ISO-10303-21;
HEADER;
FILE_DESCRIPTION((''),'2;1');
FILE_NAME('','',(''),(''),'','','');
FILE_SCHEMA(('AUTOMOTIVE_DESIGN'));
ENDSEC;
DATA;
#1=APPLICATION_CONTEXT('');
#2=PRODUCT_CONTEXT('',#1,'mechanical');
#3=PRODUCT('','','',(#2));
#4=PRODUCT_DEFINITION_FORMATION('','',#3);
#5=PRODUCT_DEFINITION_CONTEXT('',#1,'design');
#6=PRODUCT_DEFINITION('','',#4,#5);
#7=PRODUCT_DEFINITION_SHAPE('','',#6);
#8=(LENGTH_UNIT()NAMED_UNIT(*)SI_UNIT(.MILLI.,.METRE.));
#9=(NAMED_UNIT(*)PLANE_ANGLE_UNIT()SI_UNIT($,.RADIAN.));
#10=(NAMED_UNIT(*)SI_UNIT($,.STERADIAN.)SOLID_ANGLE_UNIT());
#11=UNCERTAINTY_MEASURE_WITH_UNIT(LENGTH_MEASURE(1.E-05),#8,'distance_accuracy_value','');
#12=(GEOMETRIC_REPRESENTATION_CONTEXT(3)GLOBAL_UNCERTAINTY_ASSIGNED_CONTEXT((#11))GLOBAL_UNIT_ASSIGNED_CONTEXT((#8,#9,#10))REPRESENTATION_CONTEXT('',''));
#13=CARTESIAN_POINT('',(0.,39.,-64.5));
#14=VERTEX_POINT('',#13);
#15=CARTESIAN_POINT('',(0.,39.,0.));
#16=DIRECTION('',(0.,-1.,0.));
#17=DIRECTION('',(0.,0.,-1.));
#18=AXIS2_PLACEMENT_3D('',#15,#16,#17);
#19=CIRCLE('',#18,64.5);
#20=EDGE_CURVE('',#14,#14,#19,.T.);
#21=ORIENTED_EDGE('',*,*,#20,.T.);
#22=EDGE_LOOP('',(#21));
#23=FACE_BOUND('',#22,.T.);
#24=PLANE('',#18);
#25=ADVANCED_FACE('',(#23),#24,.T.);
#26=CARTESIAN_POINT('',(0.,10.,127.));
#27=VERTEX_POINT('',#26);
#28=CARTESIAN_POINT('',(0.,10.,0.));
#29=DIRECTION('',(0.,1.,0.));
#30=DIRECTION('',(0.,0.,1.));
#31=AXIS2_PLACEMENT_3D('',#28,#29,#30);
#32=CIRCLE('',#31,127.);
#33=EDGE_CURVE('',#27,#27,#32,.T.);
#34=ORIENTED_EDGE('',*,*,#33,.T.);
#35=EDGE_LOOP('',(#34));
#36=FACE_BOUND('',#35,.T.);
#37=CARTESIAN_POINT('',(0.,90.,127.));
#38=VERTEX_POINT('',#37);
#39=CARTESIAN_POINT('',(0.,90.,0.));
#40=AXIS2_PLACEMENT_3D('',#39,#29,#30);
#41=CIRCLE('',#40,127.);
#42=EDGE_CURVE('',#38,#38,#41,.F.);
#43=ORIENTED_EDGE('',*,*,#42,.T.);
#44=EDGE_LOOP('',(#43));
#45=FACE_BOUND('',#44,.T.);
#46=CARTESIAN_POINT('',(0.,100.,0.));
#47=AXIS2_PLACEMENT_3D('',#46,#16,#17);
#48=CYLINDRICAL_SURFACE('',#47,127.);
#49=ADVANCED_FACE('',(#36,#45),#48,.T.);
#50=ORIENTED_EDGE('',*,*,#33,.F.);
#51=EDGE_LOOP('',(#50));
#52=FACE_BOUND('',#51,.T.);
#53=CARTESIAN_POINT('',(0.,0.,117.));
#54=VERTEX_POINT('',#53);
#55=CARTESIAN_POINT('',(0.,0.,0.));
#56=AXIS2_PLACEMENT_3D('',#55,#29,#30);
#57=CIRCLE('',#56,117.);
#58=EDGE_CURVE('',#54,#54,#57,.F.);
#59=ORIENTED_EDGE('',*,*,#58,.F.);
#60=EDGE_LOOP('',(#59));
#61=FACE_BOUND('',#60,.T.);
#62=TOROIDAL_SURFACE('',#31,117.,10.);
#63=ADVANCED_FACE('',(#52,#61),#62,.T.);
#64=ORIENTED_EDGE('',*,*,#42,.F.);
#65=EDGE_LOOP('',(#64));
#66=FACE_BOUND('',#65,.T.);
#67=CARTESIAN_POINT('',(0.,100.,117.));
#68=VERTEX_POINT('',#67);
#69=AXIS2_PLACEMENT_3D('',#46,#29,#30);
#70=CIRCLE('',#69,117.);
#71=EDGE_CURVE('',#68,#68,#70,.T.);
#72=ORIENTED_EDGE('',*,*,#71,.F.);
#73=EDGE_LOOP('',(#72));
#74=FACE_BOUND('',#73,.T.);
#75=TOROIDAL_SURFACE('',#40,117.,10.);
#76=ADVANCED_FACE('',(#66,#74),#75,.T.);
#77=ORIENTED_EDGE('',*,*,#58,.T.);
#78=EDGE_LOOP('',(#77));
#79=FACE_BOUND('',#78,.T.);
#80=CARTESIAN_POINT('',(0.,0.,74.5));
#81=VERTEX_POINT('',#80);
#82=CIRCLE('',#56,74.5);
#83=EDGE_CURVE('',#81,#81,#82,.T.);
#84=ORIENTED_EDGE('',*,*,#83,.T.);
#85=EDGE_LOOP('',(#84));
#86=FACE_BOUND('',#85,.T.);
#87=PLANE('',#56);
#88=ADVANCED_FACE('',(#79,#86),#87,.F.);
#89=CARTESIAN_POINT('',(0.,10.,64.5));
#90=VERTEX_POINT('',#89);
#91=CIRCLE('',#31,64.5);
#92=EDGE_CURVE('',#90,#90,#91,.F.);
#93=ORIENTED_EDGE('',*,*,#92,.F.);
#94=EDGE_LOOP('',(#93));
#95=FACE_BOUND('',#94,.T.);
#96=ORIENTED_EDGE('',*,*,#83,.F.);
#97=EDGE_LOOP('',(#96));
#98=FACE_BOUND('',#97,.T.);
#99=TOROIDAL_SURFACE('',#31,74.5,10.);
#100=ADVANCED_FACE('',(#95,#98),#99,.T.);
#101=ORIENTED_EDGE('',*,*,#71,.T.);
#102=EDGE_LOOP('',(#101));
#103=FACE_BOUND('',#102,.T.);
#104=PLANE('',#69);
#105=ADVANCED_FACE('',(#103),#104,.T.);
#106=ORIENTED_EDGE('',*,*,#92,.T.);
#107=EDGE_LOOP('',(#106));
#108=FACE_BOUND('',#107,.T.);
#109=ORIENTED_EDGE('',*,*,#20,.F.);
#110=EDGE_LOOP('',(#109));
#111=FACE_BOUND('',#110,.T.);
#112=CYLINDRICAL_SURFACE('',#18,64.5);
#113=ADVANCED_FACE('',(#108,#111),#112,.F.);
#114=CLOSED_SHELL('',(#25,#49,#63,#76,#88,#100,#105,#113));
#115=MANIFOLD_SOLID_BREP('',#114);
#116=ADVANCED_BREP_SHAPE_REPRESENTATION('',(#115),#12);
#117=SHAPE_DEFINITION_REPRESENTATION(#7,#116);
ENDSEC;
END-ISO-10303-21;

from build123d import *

# Parameters (mm, degrees)
SKETCH_1_R          = 127
EXTRUDE_1_DEPTH     = 100
FILLET_1_R          = 10
SKETCH_2_R          = 64.5
CUT_EXTRUDE_1_DEPTH = 39
FILLET_2_R          = 10


with BuildPart() as part:
    # 草图1 → 凸台-拉伸1 (new body)
    with BuildSketch(Plane(origin=(0, 0, 0), x_dir=(1, 0, 0), z_dir=(0, 1, 0))):
        with Locations(Location((0, 0, 0), (0, 0, 270))):
            Circle(SKETCH_1_R)
    extrude(amount=EXTRUDE_1_DEPTH)

    # 圆角1
    fillet_1_edges = [part.edges().sort_by_distance(p)[0] for p in [
        (0, 0, -127),
        (0, 100, -127),
    ]]
    fillet(fillet_1_edges, radius=FILLET_1_R)

    # 草图2 → 切除-拉伸1 (cut)
    with BuildSketch(Plane.XZ):
        with Locations(Location((0, 0, 0), (0, 0, 270))):
            Circle(SKETCH_2_R)
    extrude(amount=-CUT_EXTRUDE_1_DEPTH, mode=Mode.SUBTRACT)

    # 圆角2
    fillet_2_edges = [part.edges().sort_by_distance(p)[0] for p in [
        (0, 0, 64.5),
    ]]
    fillet(fillet_2_edges, radius=FILLET_2_R)


solid = part.part
